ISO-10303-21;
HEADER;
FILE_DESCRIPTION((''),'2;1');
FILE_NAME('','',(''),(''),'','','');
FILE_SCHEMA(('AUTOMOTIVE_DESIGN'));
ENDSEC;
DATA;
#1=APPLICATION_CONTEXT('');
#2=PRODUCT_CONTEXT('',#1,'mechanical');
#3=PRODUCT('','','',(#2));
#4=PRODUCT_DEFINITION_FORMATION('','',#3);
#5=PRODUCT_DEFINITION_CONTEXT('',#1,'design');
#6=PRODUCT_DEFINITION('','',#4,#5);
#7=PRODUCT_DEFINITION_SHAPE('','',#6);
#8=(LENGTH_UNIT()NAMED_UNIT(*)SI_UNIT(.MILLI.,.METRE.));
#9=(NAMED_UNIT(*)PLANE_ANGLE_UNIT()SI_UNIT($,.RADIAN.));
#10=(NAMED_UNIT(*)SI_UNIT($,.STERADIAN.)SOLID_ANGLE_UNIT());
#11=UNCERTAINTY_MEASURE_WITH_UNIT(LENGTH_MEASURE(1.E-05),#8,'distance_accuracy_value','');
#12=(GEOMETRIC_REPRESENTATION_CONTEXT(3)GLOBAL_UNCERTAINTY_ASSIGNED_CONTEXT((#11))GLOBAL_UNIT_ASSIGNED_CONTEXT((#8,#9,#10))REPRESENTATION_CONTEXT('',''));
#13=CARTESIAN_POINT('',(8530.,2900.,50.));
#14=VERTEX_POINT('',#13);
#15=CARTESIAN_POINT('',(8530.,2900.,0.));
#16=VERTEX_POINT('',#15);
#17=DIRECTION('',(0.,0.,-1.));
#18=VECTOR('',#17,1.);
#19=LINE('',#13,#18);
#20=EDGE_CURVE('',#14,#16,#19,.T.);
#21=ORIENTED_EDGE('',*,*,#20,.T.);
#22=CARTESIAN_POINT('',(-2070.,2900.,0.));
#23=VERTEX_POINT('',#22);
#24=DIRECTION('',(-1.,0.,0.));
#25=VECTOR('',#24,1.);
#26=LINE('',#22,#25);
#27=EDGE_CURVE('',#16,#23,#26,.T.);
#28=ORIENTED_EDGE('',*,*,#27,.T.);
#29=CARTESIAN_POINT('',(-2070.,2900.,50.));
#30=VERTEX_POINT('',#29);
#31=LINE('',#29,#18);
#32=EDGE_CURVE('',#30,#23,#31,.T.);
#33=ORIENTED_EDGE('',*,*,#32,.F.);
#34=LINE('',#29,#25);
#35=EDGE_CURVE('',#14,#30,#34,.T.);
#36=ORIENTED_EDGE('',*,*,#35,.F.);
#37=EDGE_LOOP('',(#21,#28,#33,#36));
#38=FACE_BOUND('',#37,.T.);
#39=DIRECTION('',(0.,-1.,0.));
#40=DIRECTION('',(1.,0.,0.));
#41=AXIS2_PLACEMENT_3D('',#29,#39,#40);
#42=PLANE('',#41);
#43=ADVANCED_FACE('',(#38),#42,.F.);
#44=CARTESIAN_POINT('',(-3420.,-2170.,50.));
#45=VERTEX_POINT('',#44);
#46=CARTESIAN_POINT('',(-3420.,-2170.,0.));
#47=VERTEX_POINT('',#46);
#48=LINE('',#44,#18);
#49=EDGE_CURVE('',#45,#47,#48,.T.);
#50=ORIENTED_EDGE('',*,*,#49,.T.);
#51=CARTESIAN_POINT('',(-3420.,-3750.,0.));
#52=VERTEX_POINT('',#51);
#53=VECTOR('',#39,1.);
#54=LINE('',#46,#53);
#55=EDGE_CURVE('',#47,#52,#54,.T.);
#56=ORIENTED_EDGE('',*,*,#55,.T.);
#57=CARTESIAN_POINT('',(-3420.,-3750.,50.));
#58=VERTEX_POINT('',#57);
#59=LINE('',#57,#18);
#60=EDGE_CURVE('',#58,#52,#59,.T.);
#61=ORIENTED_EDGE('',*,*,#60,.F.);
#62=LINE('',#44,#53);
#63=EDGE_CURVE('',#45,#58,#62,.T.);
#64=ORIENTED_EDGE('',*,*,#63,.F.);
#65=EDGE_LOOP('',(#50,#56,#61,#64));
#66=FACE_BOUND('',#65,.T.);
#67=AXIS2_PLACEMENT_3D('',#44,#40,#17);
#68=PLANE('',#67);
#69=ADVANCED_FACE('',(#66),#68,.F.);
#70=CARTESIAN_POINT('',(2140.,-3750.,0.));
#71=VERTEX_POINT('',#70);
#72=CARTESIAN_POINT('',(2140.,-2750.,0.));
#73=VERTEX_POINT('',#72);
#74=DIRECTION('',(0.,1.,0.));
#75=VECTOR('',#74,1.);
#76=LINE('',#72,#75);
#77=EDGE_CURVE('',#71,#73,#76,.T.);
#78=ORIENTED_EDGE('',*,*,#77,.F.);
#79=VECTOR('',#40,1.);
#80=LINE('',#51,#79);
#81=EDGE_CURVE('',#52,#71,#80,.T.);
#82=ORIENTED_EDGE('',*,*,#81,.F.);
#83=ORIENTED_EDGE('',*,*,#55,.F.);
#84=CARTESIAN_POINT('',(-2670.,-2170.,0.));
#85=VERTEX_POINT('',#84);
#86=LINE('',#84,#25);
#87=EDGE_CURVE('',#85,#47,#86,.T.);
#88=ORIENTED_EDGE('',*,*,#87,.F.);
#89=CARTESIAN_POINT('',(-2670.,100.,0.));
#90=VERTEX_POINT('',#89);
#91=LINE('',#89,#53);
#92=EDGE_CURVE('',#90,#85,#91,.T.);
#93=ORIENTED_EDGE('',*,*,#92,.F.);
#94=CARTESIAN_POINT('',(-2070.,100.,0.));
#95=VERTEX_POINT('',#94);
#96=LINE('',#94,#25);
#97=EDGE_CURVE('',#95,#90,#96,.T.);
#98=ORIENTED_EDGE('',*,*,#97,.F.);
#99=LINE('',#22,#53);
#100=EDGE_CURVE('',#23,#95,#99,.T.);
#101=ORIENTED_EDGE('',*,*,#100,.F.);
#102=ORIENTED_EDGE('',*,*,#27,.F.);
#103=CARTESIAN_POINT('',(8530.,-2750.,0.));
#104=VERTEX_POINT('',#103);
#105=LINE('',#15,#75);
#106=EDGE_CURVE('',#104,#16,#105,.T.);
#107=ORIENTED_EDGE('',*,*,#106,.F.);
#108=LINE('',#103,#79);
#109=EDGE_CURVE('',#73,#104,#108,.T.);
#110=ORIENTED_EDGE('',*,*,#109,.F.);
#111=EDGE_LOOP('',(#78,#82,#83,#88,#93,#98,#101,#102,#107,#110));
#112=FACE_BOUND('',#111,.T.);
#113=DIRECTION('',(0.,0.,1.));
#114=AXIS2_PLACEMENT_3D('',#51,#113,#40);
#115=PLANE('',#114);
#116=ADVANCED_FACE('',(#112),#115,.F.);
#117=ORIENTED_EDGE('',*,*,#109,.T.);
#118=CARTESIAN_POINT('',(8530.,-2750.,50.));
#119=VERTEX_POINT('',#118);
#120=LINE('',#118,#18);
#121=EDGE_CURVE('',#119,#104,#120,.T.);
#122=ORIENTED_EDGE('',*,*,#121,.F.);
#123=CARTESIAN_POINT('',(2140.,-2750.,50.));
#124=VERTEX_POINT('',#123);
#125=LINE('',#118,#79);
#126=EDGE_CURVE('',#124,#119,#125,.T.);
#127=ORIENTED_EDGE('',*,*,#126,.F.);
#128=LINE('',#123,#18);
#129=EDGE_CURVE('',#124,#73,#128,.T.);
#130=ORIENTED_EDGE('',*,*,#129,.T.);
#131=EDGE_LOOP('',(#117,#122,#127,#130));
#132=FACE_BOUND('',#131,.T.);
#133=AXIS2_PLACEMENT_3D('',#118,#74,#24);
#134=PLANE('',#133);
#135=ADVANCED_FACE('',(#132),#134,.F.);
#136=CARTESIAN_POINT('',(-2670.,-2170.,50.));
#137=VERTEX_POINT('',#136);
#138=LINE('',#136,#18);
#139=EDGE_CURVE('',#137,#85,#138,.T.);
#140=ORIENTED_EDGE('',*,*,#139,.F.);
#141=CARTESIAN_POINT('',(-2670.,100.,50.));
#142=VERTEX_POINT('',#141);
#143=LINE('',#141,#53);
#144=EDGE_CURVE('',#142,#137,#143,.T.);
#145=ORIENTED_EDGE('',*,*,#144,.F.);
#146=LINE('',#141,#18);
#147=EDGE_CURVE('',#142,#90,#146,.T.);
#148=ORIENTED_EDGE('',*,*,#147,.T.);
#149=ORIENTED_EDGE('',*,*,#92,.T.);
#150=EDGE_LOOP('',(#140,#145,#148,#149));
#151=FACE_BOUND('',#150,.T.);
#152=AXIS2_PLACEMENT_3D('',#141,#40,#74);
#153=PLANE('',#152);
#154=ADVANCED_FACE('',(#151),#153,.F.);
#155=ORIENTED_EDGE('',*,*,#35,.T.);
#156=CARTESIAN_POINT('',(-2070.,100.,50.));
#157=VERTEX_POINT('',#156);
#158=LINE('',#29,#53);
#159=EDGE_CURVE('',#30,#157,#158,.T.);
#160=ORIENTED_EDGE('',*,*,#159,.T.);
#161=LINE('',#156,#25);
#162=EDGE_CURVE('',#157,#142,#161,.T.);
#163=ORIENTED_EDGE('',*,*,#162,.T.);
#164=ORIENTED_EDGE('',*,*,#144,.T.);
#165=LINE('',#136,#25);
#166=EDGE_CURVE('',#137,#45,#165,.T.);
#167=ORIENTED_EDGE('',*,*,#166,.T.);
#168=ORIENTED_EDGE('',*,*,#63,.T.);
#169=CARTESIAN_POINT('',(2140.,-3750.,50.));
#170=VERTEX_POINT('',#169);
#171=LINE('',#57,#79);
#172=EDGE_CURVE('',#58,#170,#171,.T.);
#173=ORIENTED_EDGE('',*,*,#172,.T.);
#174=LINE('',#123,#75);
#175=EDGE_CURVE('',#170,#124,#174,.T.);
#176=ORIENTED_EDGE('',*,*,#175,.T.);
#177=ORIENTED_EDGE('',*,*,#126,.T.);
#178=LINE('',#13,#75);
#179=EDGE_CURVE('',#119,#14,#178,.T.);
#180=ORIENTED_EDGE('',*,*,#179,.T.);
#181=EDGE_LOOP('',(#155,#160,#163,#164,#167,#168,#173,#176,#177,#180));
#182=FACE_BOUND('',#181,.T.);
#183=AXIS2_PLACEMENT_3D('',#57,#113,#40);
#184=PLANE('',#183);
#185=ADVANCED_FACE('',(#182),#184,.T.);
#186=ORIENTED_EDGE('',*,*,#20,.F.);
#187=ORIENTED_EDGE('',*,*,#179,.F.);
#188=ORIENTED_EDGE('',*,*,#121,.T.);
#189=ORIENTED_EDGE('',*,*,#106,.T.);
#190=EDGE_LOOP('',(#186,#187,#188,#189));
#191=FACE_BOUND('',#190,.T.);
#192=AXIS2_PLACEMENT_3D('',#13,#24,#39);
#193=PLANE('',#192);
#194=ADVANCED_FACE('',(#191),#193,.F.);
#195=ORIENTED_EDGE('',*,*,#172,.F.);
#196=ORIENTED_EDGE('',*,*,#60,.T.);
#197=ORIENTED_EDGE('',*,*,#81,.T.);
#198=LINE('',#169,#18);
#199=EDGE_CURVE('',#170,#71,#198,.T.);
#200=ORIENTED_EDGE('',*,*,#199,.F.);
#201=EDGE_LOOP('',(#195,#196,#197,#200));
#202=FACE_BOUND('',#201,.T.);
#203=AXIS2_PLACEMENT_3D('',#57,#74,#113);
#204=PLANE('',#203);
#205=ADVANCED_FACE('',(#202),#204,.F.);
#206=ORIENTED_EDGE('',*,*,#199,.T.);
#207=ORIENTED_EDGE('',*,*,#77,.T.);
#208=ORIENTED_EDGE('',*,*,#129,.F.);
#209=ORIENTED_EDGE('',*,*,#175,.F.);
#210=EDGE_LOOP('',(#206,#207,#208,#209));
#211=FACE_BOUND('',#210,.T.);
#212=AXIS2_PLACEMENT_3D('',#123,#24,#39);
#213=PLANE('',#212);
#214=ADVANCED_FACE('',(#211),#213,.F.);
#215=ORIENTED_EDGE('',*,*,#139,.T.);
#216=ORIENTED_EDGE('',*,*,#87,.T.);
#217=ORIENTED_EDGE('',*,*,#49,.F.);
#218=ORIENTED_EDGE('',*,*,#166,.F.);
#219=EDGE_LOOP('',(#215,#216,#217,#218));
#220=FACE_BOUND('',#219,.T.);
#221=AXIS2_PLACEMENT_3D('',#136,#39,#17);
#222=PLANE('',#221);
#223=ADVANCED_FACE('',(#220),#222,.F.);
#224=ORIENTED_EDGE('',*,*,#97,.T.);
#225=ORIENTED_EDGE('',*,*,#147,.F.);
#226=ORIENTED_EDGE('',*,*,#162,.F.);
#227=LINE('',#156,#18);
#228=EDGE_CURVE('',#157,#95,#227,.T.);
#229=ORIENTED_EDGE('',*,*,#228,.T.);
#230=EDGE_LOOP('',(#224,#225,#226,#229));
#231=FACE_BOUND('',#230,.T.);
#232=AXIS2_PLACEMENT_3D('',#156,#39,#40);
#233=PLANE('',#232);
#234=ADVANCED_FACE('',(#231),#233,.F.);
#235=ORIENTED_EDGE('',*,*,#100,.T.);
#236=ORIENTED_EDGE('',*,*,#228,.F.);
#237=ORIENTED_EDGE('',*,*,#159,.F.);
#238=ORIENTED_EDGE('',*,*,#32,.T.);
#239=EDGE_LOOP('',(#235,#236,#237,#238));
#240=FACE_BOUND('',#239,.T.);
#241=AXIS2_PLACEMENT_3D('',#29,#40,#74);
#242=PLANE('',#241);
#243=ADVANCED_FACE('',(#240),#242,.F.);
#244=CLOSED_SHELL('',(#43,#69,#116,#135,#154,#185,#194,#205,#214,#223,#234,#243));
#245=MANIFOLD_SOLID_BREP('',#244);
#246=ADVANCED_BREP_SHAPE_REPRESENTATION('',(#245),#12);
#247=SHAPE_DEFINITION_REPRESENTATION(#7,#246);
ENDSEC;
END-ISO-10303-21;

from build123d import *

# Parameters (mm, degrees)
EXTRUDE1_DEPTH = 50


with BuildPart() as part:
    # Sketch1 → Extrude1 (new body)
    with BuildSketch(Plane.XY):
        Polygon((8530, -2750), (2140, -2750), (2140, -3750), (-3420, -3750), (-3420, -2170), (-2670, -2170), (-2670, 100), (-2070, 100), (-2070, 2900), (8530, 2900), align=None)
    extrude(amount=EXTRUDE1_DEPTH)


solid = part.part
